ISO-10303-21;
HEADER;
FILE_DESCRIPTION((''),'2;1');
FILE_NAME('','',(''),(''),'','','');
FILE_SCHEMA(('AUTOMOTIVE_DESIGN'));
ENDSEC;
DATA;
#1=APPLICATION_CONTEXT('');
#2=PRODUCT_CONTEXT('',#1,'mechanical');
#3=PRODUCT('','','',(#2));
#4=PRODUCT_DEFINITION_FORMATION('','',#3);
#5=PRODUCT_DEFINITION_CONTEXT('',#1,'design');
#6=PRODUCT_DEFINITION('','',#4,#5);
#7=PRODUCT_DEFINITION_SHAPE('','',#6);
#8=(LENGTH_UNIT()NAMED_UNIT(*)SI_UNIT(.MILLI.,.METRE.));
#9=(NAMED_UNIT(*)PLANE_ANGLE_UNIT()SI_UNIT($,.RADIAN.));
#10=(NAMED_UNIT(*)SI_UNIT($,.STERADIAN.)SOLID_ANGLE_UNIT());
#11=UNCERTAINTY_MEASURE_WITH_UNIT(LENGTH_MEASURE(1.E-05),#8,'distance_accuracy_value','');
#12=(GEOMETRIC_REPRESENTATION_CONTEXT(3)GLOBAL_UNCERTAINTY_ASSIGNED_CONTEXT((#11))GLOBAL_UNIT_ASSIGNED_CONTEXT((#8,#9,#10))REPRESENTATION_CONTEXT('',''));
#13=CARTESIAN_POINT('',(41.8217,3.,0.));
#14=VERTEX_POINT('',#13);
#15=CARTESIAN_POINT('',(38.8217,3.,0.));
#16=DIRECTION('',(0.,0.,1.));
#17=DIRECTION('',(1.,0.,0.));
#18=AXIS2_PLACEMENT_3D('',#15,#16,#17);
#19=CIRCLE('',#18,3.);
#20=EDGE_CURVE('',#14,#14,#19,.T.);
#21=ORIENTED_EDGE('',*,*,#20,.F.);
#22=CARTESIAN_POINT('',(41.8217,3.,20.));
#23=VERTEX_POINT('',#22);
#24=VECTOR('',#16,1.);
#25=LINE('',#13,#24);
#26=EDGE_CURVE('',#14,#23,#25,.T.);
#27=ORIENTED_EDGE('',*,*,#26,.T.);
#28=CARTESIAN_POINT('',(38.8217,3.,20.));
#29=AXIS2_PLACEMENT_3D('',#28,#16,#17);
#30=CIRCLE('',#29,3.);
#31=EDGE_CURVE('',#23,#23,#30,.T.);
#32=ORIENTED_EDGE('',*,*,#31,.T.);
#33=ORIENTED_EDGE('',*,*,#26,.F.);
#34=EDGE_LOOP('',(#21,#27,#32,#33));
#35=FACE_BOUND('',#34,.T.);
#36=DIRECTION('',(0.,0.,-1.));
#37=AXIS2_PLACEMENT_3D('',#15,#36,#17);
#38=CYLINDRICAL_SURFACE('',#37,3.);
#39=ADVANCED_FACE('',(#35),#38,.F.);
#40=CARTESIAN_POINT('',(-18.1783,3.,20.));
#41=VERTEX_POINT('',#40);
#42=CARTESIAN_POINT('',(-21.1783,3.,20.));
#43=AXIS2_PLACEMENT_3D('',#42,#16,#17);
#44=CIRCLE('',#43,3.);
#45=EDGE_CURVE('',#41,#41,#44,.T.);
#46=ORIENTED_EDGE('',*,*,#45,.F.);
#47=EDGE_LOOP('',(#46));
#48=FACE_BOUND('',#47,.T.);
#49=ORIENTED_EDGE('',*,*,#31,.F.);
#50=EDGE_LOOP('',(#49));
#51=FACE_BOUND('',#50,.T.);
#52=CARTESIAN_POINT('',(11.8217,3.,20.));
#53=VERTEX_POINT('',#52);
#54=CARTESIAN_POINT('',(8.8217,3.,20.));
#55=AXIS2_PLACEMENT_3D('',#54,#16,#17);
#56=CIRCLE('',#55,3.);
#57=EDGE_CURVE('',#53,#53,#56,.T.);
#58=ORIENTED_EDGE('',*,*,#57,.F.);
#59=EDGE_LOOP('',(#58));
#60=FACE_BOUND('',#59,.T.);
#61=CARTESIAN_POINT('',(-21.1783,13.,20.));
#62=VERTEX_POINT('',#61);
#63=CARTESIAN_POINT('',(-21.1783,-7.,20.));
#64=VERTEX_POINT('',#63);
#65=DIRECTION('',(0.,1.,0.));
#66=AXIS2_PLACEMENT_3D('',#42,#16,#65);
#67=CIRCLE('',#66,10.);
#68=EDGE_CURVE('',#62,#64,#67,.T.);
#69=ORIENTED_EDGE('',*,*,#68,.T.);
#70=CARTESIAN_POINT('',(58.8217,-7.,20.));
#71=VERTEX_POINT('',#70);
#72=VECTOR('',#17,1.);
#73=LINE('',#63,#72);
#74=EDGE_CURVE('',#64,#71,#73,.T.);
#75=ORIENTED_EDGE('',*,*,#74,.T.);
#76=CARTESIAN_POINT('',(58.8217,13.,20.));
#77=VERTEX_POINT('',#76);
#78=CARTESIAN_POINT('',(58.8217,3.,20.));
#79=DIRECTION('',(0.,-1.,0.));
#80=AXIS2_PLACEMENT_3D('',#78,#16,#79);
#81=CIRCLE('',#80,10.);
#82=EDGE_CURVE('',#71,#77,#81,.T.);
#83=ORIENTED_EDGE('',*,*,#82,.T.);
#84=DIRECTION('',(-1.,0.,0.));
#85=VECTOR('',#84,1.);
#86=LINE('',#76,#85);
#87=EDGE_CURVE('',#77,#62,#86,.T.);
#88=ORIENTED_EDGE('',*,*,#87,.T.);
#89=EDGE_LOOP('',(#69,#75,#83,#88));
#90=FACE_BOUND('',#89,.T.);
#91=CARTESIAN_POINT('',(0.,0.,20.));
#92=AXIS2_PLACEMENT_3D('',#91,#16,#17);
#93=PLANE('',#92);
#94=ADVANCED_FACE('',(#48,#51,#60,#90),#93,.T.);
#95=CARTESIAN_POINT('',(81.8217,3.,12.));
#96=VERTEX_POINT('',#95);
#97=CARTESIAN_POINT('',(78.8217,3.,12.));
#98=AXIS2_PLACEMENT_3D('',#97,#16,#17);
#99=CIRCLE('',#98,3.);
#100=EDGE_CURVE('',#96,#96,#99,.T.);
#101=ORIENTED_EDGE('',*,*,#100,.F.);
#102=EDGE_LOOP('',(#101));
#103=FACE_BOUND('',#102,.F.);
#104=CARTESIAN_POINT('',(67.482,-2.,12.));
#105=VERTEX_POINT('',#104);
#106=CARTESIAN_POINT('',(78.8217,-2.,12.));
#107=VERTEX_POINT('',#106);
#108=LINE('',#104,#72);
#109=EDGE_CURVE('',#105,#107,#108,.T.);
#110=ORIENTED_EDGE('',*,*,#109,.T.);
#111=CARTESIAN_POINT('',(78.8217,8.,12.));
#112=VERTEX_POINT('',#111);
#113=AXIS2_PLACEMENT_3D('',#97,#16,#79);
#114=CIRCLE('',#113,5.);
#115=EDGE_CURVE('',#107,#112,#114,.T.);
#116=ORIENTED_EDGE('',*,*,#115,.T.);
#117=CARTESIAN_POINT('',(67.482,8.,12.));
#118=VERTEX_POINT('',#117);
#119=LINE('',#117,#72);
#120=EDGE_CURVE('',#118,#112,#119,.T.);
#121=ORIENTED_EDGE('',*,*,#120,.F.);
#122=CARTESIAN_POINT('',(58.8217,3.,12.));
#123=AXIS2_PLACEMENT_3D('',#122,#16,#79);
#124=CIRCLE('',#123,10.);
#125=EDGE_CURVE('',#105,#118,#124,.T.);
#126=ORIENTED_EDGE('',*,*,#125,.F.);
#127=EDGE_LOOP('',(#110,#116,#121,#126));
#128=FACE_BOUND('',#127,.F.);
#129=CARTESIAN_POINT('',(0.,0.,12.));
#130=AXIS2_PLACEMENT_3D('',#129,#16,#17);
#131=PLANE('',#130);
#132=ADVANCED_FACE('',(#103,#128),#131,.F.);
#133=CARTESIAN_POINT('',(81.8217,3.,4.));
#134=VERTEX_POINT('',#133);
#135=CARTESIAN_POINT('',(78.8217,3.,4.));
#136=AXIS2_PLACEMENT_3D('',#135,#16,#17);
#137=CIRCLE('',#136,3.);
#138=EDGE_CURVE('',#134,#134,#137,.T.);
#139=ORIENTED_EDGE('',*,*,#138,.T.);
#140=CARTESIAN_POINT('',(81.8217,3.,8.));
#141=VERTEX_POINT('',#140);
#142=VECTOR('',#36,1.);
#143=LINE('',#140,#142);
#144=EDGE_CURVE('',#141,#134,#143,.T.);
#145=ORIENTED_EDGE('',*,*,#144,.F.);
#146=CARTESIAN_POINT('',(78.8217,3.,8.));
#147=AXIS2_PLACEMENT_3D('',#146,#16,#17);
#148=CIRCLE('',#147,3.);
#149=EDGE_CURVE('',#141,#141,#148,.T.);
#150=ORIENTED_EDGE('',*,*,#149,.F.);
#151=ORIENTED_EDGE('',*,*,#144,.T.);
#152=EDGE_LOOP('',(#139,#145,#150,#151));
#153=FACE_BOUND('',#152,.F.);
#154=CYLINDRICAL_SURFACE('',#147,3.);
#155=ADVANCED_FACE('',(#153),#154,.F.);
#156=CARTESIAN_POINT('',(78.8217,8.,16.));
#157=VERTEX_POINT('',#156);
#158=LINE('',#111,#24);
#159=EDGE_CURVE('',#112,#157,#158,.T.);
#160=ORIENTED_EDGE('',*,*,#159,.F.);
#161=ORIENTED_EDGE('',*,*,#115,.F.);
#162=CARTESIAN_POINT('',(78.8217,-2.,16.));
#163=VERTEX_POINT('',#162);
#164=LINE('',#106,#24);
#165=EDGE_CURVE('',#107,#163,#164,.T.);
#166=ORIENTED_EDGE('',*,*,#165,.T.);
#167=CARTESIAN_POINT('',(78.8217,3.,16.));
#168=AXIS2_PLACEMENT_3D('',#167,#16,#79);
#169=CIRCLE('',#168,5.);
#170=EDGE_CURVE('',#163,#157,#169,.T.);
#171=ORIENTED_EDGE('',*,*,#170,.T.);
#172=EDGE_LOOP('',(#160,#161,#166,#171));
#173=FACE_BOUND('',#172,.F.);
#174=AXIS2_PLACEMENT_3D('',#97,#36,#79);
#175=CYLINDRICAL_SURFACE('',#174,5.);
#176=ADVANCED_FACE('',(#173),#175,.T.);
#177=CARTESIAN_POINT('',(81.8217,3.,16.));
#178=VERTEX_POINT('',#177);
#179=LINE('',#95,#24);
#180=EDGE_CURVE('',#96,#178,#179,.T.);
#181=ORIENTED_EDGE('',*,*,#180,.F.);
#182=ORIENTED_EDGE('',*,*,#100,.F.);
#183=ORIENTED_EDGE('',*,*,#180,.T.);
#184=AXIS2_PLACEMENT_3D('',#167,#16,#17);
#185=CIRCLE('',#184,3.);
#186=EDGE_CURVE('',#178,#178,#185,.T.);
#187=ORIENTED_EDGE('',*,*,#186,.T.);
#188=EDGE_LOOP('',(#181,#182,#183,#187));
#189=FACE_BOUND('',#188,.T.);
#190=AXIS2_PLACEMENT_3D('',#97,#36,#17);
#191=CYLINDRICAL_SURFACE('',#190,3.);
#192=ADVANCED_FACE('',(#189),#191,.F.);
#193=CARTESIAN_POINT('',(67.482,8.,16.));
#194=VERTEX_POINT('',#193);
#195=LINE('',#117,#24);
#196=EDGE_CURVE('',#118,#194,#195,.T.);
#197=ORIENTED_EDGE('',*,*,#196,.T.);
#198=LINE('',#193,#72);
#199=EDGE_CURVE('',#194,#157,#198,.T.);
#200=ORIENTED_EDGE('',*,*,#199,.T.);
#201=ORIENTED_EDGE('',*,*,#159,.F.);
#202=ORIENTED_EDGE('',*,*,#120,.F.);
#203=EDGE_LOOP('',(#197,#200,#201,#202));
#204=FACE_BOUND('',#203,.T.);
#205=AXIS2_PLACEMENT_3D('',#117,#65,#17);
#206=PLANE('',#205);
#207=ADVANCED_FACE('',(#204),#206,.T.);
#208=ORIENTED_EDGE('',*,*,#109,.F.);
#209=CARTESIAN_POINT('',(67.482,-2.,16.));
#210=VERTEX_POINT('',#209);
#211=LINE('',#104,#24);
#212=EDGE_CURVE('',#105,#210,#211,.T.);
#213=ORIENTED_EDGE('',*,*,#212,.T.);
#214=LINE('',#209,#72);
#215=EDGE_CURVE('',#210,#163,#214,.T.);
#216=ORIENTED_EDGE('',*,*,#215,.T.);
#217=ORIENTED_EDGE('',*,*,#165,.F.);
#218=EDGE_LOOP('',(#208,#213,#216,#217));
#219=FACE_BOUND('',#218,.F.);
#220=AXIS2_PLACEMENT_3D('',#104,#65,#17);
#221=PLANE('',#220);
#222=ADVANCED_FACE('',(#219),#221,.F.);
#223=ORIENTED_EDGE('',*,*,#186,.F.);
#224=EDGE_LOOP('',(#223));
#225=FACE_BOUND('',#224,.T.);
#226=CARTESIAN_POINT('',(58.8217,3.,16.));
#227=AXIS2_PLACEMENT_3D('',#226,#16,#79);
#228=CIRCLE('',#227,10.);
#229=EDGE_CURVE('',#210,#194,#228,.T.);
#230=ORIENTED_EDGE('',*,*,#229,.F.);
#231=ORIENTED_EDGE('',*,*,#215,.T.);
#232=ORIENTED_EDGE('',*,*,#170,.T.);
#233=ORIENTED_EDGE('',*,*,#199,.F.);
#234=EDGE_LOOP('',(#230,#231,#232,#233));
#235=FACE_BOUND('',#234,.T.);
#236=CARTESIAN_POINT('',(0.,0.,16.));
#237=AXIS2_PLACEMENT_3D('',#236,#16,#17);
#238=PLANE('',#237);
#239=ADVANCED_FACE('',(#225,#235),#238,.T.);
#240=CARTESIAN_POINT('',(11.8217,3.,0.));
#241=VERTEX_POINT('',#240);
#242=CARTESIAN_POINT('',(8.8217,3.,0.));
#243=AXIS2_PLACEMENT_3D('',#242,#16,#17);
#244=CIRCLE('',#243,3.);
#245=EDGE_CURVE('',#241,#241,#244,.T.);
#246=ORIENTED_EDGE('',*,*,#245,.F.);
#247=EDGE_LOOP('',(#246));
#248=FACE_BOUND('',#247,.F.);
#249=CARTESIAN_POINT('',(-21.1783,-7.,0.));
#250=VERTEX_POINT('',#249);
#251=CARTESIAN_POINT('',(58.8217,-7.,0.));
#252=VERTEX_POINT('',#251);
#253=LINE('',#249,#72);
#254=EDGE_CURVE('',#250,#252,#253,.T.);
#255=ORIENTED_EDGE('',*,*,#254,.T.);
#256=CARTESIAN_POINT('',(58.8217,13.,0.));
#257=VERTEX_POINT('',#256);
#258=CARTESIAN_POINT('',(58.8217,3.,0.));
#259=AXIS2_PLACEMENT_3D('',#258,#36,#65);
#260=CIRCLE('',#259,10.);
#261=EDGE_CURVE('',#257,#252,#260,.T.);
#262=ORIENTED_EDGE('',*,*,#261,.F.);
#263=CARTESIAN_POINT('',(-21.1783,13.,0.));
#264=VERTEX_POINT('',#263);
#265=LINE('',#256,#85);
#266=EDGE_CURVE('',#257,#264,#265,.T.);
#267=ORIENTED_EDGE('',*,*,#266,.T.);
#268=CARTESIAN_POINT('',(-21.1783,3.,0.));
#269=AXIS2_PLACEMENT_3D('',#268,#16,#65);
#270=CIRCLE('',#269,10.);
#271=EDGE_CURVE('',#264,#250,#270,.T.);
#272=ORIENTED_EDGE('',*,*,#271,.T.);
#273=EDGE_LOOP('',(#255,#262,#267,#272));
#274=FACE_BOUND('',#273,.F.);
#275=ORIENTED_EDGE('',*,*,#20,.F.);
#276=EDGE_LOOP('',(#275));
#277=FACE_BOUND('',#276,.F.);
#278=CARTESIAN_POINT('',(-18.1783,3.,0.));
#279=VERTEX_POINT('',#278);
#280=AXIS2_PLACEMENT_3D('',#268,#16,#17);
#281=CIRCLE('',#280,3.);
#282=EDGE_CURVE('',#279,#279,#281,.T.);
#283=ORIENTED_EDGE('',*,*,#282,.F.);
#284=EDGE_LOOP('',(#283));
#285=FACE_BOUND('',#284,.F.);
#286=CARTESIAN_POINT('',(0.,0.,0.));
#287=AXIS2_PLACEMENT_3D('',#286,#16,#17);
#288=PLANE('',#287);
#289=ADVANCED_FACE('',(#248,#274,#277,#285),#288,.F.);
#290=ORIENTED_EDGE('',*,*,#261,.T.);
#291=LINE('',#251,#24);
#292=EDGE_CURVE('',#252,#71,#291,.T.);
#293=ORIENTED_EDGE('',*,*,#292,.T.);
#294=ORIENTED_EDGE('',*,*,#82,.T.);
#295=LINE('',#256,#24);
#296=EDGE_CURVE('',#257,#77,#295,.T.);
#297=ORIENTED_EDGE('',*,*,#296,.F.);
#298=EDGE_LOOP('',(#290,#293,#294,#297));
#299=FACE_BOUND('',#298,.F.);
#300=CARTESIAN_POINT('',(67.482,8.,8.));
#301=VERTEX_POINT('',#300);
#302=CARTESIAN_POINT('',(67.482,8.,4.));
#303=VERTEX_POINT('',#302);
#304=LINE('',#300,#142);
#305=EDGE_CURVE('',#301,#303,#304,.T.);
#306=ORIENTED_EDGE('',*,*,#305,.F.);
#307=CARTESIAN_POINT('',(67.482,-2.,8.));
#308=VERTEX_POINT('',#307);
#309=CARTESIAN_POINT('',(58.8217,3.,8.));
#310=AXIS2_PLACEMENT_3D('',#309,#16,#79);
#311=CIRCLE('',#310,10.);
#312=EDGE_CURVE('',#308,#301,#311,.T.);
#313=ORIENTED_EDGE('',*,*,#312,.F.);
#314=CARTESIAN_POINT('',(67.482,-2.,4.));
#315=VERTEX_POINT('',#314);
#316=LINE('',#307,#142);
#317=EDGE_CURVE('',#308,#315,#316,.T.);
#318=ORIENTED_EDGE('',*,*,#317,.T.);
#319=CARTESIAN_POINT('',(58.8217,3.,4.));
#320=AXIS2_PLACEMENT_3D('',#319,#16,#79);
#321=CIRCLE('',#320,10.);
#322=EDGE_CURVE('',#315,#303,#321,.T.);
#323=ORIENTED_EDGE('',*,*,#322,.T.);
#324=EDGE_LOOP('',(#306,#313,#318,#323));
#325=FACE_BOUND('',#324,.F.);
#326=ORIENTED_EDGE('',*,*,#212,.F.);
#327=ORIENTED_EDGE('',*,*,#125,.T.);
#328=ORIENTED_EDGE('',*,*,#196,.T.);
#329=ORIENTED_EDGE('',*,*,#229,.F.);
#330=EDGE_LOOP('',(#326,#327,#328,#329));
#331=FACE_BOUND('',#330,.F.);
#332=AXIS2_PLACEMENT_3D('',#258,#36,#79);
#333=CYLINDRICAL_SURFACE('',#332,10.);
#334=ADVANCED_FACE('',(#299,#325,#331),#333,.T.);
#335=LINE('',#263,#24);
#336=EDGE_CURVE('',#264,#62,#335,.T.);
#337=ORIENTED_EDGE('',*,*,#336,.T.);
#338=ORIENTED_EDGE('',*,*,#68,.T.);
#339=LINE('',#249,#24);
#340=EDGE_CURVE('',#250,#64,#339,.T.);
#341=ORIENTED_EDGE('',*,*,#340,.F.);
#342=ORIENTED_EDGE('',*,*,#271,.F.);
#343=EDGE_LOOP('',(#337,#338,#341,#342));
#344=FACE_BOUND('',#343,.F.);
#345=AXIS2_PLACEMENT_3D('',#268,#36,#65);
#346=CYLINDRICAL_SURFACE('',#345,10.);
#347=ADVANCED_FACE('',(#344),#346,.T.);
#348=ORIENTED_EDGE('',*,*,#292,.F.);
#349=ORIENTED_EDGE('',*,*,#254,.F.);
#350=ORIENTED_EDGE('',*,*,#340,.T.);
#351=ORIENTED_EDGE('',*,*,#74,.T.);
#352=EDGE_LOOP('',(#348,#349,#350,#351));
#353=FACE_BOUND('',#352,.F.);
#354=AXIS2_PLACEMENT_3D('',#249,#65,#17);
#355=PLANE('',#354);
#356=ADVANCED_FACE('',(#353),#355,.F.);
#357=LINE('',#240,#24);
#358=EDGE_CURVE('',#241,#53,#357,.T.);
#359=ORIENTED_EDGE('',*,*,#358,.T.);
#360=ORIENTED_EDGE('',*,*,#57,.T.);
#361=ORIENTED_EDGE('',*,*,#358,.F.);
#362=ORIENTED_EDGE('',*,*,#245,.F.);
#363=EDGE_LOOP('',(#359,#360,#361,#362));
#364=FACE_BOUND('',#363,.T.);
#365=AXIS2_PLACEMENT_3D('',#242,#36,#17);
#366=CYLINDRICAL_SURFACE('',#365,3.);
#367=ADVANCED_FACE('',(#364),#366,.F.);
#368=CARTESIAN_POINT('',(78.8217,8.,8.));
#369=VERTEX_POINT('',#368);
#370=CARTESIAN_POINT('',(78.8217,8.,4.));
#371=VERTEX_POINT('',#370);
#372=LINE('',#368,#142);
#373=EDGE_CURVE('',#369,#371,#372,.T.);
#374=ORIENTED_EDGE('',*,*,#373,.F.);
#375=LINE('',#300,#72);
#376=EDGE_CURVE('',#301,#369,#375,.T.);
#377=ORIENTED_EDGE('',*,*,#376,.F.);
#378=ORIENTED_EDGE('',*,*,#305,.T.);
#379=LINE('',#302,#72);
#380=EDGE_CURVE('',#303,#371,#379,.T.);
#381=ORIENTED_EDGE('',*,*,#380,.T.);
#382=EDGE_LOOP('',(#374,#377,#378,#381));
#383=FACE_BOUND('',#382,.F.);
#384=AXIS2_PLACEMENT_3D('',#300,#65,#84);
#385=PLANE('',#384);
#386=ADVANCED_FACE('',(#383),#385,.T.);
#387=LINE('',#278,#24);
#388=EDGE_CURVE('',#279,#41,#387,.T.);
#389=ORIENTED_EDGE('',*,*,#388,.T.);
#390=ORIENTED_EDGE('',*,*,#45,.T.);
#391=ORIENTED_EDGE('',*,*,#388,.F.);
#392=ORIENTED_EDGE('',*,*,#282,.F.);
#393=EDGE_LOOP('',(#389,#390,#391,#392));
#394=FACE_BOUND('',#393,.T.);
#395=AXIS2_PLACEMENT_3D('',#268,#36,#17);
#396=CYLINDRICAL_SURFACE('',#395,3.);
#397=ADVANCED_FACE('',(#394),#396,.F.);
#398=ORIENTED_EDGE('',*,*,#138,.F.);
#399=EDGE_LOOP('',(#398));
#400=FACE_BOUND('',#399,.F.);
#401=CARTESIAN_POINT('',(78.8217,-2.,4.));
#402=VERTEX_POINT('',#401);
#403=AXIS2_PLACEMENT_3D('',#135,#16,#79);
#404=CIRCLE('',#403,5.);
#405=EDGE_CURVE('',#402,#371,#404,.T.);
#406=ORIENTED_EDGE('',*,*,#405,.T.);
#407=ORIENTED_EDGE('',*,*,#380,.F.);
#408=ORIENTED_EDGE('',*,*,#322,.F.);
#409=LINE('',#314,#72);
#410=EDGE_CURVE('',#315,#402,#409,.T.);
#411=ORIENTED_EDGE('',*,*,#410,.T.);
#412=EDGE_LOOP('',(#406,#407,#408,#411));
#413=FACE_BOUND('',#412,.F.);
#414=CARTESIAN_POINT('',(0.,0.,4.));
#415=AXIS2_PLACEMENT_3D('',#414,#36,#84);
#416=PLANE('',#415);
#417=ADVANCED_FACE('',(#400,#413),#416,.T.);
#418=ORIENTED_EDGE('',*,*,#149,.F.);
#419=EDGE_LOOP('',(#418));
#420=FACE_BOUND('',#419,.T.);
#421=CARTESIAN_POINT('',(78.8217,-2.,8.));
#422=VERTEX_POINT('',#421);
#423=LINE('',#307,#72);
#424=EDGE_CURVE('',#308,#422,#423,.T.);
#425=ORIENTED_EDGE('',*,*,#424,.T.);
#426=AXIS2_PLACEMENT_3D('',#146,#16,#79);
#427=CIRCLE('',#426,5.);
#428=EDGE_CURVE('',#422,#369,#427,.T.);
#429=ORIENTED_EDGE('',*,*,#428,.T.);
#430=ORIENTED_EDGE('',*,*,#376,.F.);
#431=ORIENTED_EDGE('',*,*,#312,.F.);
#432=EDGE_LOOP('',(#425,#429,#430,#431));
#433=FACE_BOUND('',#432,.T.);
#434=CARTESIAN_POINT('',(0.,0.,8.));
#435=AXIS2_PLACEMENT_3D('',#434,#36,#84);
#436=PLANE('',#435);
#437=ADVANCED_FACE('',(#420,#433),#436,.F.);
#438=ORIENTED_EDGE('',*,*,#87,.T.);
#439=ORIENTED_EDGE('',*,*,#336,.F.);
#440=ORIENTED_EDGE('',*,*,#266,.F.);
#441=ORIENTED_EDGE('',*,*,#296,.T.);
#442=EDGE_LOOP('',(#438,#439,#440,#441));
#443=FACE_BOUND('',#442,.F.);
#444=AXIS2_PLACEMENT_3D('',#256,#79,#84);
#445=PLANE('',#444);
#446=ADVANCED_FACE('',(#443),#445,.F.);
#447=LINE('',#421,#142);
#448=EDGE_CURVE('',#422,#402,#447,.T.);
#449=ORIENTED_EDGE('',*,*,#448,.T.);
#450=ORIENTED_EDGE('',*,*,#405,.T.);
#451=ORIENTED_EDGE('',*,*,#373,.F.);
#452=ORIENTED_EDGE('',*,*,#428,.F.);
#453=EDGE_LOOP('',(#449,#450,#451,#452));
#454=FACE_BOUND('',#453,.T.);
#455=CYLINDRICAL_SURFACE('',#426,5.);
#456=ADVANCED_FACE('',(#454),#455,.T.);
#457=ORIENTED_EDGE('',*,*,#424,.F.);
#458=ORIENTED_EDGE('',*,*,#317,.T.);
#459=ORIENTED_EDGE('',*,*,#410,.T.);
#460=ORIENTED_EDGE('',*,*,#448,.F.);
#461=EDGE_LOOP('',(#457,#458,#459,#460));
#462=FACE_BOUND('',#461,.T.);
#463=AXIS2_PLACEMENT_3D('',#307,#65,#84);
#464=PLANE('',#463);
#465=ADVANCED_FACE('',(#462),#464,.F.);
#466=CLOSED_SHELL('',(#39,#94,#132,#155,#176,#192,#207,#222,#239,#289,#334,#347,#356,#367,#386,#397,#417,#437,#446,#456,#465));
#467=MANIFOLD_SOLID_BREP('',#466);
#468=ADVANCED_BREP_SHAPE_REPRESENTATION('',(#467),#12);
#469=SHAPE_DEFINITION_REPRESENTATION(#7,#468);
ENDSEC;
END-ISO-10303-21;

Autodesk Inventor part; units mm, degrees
ref_plane "YZ Plane" through (0, 0, 0) normal (1, 0, 0) x (0, 1, 0)
sketch "Sketch1" plane through (0, 0, 0) normal (0, 0, 1) x (1, 0, 0)
  line L0 (-21.1783, 3) -> (58.8217, 3) construction
  line L1 (-21.1783, -7) -> (58.8217, -7)
  line L2 (58.8217, 13) -> (-21.1783, 13)
  arc A0 (-21.1783, 13) -> (-21.1783, -7) centre (-21.1783, 3) ccw
  arc A1 (58.8217, -7) -> (58.8217, 13) centre (58.8217, 3) ccw
  line L3 (67.482, 8) -> (78.8217, 8)
  arc A2 (78.8217, -2) -> (78.8217, 8) centre (78.8217, 3) ccw
  line L4 (67.482, -2) -> (78.8217, -2)
  circle A3 centre (78.8217, 3) radius 3
  circle A4 centre (8.8217, 3) radius 3
  circle A5 centre (38.8217, 3) radius 3
  circle A6 centre (-21.1783, 3) radius 3
  point P0 (0, 0)
  dimension "d0" = 20
  dimension "d18" = 10
  dimension "d19" = 20
  dimension "d21" = 6
  dimension "d29" = 30
  dimension "d31" = 30
extrude "Extrusion1" add sketch "Sketch1" along normal blind 20 contours A0 L2 A1 L1
ref_plane "Work Plane5" through (0, 0, 12) normal (0, 0, 1) x (1, 0, 0)
ref_plane "Work Plane4" through (0, 0, 10) normal (0, 0, 1) x (1, 0, 0)
sketch "Sketch4" plane through (0, 0, 12) normal (0, 0, 1) x (1, 0, 0)
  line L0 (67.482, 8) -> (78.8217, 8) projected
  line L1 (67.482, -2) -> (78.8217, -2) projected
  arc A0 (78.8217, -2) -> (78.8217, 8) centre (78.8217, 3) ccw projected
  circle A1 centre (78.8217, 3) radius 3 projected
  arc A2 (58.8217, -7) -> (58.8217, 13) centre (58.8217, 3) ccw projected
  point P0 (0, 0)
extrude "Extrusion4" add sketch "Sketch4" along normal blind 4
ref_plane "Work Plane6" through (0, 0, 10) normal (0, 0, 1) x (1, 0, 0)
mirror "Mirror2" about plane through (0, 0, 10) normal (0, 0, 1) of "Extrusion4"
equation "\"d18\" = R"
equation "\"d21\" = r"
equation "\"d6\" = w"
equation "\"d22\" = 0.2 * w"
equation "\"r\" = 6"
equation "\"d3\" = 6"
equation "\"d5\" = 6"
equation "\"th\" = 5"
equation "\"R\" = 10"
equation "\"w\" = 20"
equation "\"d20\" = 0.1 * w"
equation "\"d25\" = 6"
